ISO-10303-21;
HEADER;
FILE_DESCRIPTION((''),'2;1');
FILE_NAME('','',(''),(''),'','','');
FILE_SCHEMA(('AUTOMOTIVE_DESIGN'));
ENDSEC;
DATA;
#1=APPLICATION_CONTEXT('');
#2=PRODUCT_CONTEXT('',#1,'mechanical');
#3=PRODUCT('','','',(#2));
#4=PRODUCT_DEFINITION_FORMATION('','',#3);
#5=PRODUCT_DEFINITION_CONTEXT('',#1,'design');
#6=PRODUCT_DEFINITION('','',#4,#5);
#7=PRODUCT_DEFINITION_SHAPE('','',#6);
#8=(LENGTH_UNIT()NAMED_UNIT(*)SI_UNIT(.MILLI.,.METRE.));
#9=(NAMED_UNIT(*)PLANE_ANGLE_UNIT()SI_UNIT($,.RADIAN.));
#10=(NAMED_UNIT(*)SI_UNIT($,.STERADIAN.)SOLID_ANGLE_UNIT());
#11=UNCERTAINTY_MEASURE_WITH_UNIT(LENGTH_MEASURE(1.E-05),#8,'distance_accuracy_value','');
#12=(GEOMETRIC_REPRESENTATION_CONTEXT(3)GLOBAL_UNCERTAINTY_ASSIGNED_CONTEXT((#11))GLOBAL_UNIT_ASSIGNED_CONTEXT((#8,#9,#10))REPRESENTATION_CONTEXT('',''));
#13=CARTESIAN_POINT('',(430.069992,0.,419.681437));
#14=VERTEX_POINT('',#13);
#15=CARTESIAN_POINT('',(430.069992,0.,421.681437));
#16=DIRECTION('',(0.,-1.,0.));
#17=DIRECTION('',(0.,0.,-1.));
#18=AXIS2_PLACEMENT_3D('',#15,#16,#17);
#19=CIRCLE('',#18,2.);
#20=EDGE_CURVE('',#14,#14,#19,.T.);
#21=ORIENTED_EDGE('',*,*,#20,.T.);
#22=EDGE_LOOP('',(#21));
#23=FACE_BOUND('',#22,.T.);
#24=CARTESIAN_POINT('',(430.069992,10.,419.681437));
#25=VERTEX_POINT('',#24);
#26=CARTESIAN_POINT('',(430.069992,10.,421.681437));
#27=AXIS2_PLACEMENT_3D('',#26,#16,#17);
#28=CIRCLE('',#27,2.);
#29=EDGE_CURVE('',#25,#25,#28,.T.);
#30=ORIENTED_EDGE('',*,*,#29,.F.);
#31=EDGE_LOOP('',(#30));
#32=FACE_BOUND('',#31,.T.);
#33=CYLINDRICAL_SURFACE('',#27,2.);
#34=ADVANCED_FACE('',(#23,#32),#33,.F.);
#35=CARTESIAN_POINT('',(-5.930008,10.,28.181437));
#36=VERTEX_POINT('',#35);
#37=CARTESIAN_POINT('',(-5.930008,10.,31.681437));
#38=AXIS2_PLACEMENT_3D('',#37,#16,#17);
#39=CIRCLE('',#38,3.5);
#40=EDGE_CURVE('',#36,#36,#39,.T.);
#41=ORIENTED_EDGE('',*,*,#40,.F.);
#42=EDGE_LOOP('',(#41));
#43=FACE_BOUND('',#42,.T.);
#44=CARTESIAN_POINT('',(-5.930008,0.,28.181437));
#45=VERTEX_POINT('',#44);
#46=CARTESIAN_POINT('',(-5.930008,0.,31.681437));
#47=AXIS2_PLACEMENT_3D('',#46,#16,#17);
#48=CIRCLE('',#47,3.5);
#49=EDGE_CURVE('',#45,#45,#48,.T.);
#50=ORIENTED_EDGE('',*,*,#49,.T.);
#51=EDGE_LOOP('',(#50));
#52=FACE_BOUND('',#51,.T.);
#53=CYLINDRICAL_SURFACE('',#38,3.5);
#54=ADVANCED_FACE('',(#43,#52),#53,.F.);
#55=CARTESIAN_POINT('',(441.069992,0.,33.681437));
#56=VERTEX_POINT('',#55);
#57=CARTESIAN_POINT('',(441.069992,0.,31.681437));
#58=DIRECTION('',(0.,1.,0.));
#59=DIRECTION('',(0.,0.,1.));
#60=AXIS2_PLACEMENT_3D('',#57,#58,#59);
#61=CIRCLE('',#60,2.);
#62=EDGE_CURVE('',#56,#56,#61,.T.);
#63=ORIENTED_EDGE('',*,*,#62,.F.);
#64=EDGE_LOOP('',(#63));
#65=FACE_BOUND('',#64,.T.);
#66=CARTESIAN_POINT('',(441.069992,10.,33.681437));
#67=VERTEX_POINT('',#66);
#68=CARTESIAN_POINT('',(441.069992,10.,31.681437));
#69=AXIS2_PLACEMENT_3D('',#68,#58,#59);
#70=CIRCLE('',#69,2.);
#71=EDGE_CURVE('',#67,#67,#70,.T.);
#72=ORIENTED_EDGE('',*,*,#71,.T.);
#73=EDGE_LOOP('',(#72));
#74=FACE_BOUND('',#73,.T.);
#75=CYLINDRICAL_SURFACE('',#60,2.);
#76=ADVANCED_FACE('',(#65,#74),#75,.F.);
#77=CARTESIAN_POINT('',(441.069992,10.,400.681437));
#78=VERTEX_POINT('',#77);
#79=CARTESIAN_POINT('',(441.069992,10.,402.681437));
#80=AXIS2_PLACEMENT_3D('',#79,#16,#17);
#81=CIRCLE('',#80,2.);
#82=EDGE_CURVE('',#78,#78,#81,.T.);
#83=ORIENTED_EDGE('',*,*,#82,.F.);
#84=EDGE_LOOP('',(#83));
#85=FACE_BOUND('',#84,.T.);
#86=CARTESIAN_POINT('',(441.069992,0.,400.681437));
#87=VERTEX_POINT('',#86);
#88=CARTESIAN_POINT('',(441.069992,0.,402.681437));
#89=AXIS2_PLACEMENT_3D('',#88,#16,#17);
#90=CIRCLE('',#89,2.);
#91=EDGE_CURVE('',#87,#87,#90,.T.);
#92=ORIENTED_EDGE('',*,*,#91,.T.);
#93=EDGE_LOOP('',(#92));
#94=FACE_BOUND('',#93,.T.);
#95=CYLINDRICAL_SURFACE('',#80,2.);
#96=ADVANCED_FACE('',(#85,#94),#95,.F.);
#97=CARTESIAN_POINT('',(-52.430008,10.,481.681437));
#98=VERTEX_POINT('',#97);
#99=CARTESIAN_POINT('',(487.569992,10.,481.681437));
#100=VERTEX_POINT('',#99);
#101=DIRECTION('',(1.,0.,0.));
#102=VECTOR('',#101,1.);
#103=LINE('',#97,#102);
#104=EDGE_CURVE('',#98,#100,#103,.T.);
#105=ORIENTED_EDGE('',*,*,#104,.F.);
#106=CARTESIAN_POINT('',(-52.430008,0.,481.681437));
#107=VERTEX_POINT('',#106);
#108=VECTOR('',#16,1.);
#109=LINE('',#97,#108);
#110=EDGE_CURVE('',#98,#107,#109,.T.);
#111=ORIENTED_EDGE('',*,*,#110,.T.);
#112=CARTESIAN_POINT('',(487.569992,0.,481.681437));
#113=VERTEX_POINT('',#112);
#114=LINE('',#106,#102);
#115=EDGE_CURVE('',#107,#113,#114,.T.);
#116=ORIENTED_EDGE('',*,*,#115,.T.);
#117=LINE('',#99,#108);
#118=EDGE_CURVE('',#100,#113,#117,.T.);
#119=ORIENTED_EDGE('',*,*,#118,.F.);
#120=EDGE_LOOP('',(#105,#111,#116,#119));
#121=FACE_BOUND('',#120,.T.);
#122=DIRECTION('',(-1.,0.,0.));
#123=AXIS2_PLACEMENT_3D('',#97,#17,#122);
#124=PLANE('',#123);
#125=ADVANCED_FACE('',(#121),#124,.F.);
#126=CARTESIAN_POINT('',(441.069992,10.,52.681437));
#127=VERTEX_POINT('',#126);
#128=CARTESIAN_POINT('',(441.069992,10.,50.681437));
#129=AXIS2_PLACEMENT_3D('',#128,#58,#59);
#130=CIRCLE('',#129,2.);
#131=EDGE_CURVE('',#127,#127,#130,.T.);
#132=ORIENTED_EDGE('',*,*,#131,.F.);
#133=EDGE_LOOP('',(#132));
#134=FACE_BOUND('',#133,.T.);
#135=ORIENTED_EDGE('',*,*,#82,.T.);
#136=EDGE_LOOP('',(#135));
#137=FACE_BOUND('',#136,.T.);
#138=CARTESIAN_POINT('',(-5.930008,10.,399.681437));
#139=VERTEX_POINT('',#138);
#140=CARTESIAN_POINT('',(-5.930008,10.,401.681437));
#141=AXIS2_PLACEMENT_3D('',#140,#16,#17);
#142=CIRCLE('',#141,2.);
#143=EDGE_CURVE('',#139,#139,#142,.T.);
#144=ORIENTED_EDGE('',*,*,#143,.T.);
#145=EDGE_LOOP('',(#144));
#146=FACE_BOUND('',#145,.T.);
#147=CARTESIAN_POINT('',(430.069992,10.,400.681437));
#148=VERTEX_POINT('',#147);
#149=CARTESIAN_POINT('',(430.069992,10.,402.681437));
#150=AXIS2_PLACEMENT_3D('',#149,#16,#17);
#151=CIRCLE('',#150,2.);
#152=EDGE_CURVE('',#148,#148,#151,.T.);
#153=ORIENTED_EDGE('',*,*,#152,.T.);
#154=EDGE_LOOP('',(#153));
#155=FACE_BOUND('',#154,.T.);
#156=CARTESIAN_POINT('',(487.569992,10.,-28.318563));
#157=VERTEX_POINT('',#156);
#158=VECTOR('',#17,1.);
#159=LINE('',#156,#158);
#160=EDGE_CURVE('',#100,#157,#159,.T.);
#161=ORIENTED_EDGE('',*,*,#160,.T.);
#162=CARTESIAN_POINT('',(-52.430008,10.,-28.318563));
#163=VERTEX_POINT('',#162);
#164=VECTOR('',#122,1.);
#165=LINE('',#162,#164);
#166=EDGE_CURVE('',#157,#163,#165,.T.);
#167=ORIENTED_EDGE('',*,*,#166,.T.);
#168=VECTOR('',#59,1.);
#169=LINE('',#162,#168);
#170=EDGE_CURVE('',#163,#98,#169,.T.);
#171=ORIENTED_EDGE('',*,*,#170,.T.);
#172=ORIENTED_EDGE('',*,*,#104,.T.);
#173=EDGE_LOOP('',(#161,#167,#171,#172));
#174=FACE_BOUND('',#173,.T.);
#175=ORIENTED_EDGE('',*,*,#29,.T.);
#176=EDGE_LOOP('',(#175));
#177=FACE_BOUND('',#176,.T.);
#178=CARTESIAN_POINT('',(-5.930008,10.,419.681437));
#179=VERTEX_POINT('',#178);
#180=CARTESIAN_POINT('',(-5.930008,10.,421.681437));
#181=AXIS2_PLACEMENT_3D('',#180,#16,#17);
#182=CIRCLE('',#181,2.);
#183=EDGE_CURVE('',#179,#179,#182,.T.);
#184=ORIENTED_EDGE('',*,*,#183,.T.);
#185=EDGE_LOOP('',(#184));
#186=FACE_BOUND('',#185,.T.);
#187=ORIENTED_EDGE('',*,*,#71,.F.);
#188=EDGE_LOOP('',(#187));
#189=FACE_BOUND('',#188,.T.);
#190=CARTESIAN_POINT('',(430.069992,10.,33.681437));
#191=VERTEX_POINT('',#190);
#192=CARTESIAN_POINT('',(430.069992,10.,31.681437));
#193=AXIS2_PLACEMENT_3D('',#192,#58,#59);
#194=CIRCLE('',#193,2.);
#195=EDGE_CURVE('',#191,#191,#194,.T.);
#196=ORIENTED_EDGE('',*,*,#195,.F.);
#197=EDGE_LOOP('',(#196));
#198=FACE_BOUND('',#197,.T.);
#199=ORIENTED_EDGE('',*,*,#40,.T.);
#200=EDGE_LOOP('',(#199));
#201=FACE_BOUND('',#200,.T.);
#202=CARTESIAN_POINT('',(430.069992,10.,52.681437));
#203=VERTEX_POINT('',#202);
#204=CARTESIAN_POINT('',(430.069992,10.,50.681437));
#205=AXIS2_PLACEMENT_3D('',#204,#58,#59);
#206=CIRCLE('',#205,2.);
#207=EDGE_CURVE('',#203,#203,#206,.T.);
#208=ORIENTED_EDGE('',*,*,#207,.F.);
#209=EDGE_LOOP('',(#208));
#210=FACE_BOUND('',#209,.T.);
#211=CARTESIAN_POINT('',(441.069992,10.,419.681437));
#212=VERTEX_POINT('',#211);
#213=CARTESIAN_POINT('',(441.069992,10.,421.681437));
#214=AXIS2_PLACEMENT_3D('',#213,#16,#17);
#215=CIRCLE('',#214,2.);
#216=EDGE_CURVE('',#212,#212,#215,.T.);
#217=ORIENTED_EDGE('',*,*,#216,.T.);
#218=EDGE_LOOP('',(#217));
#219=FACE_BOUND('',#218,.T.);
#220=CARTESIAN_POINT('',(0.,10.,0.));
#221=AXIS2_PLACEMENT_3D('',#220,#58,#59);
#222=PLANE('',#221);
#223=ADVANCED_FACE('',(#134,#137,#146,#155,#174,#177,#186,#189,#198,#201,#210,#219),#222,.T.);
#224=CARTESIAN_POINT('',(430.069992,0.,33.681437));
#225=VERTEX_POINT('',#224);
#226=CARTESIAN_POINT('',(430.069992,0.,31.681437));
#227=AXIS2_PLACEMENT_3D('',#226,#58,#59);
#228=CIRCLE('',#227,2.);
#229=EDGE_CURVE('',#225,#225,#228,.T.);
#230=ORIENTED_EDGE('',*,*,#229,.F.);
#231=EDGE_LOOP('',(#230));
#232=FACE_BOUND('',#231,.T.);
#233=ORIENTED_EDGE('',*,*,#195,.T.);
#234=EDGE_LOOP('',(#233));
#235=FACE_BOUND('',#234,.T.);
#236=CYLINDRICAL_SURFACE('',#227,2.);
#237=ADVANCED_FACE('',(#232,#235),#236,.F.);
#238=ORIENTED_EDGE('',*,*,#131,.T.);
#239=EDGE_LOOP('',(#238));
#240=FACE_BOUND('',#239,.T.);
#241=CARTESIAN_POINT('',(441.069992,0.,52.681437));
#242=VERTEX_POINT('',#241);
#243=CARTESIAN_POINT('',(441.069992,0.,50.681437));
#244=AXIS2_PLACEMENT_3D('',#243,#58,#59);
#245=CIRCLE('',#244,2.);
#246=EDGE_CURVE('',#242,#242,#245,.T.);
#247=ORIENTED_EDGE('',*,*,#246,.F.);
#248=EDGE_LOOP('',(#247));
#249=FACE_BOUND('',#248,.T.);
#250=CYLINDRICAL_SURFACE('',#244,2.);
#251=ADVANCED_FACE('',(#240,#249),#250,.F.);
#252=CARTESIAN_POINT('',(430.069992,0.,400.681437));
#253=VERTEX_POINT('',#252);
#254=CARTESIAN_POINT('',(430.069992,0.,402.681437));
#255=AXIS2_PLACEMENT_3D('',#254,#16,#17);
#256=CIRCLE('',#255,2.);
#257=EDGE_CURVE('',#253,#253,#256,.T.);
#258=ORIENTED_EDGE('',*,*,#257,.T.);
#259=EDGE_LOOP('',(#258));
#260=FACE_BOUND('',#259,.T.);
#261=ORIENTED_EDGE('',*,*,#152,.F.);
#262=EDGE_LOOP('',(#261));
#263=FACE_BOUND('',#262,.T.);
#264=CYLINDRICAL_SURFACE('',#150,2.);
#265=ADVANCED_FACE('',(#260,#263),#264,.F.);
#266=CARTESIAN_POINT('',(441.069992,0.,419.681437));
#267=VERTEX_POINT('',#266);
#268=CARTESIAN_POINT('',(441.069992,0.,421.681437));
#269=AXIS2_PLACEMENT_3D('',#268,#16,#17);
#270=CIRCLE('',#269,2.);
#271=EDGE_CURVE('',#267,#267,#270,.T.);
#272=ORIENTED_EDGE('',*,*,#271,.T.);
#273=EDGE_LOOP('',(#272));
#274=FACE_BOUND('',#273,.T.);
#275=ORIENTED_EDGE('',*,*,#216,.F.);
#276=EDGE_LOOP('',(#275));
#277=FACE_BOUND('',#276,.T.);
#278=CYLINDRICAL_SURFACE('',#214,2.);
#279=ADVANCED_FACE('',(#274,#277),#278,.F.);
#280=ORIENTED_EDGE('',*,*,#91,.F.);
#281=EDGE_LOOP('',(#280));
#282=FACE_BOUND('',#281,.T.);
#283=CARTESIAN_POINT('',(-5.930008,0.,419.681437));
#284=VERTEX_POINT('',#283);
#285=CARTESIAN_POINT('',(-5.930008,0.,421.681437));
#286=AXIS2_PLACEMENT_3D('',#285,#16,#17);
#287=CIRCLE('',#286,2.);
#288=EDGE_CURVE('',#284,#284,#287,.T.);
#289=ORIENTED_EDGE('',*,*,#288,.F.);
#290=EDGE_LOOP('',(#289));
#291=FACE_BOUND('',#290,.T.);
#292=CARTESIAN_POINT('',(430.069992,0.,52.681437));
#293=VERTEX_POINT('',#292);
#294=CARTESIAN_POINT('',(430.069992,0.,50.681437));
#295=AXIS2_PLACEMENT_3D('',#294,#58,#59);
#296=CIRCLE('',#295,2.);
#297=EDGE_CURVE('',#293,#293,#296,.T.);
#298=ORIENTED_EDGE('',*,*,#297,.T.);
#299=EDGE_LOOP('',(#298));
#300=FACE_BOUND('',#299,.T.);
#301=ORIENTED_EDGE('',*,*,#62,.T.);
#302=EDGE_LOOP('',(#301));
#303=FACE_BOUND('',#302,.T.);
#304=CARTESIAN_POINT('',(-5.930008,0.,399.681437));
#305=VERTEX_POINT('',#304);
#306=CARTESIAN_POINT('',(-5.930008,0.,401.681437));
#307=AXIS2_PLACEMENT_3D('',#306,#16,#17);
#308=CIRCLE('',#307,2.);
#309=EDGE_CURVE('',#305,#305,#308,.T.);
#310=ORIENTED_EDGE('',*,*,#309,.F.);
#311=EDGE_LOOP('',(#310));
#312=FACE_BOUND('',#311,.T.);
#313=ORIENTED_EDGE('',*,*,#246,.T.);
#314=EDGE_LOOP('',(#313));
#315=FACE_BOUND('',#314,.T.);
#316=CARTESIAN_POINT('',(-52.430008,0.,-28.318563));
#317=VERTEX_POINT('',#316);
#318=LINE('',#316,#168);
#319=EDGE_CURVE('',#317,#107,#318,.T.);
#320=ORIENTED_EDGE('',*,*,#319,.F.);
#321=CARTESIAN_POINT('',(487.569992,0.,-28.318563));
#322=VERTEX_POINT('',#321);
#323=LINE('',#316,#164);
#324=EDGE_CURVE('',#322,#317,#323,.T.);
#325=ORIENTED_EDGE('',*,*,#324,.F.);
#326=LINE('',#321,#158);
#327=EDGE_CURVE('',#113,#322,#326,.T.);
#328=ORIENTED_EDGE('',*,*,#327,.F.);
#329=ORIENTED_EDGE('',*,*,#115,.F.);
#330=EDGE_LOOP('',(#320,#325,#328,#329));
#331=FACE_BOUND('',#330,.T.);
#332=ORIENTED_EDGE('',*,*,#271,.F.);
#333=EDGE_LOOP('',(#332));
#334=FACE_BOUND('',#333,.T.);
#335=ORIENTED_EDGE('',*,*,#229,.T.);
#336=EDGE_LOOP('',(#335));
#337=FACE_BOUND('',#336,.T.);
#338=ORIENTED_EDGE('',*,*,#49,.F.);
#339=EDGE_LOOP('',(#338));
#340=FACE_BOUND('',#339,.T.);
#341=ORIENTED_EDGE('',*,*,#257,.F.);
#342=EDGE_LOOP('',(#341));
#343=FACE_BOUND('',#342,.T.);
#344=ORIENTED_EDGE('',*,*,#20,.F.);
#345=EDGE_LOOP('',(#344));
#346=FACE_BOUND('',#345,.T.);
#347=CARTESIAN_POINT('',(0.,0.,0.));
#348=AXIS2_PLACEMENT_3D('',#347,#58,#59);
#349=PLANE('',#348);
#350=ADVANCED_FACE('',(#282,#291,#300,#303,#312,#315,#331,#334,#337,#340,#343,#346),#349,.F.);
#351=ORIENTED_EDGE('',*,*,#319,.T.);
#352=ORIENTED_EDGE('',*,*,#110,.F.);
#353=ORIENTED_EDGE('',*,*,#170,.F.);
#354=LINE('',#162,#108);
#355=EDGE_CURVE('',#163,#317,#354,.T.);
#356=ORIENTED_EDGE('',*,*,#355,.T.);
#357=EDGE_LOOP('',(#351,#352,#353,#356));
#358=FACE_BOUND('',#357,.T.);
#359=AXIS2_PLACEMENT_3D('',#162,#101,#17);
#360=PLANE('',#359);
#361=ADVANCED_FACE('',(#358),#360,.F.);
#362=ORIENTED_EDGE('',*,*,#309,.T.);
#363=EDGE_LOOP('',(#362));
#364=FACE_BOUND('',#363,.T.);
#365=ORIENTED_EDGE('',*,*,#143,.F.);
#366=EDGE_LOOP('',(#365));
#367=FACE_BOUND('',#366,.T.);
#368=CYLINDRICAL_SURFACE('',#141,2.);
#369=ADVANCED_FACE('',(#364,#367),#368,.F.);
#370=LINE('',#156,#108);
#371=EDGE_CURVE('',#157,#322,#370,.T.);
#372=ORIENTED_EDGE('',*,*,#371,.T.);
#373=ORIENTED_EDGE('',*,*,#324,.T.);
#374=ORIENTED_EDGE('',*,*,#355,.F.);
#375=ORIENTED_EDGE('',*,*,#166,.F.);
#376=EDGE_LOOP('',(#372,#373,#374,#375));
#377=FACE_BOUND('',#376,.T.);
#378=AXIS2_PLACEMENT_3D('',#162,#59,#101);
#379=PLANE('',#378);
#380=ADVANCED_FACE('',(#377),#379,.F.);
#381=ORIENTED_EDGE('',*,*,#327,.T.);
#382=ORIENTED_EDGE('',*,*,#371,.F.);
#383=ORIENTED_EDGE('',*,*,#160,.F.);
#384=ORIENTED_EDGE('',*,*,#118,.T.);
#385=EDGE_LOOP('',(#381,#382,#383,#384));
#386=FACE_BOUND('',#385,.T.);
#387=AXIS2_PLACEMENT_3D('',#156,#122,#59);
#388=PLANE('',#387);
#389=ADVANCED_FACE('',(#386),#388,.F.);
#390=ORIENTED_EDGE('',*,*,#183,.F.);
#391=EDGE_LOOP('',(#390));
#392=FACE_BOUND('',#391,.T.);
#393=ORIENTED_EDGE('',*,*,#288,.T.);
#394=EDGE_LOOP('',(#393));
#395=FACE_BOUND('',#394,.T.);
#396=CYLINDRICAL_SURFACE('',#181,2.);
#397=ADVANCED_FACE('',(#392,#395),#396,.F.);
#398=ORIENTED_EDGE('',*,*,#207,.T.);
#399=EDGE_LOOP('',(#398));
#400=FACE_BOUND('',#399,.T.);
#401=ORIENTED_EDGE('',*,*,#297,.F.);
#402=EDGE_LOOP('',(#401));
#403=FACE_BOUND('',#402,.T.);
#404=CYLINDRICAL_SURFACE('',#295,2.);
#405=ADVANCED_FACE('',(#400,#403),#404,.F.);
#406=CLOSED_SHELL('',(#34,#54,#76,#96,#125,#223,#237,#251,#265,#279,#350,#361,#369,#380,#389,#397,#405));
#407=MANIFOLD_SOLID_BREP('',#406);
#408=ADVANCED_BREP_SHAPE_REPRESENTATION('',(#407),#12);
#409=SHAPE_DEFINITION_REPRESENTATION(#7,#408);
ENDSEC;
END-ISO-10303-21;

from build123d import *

# Parameters (mm, degrees)
SKETCH3_W           = 540
SKETCH3_H           = 510
BOSS_EXTRUDE1_DEPTH = 10
SKETCH4_R           = 2
CUT_EXTRUDE1_DEPTH  = 686.449855216
SKETCH6_R           = 2
CUT_EXTRUDE2_DEPTH  = 686.449855216
SKETCH7_R           = 3.5
CUT_EXTRUDE3_DEPTH  = 686.449855216
SKETCH8_R           = 2
CUT_EXTRUDE4_DEPTH  = 686.449855216


with BuildPart() as part:
    # Sketch3 → Boss-Extrude1 (new body)
    with BuildSketch(Plane(origin=(0, 0, 0), x_dir=(1, 0, 0), z_dir=(0, 1, 0))):
        with Locations((217.56999237, -226.681436799)):
            Rectangle(SKETCH3_W, SKETCH3_H)
    extrude(amount=BOSS_EXTRUDE1_DEPTH)

    # Sketch4 → Cut-Extrude1 (cut, through all)
    with BuildSketch(Plane(origin=(0, 10, 0), x_dir=(1, 0, 0), z_dir=(0, 1, 0))):
        with Locations((441.06999237, -31.681436799)):
            Circle(SKETCH4_R)
        with Locations((430.06999237, -31.681436799)):
            Circle(SKETCH4_R)
        with Locations((441.06999237, -50.681436799)):
            Circle(SKETCH4_R)
        with Locations((430.06999237, -50.681436799)):
            Circle(SKETCH4_R)
    extrude(amount=-CUT_EXTRUDE1_DEPTH, mode=Mode.SUBTRACT)

    # Sketch6 → Cut-Extrude2 (cut, through all)
    with BuildSketch(Plane.XZ):
        with Locations((441.06999237, 421.681436799)):
            Circle(SKETCH6_R)
        with Locations((430.06999237, 421.681436799)):
            Circle(SKETCH6_R)
        with Locations((441.06999237, 402.681436799)):
            Circle(SKETCH6_R)
        with Locations((430.06999237, 402.681436799)):
            Circle(SKETCH6_R)
    extrude(amount=-CUT_EXTRUDE2_DEPTH, mode=Mode.SUBTRACT)

    # Sketch7 → Cut-Extrude3 (cut, through all)
    with BuildSketch(Plane.XZ):
        with Locations((-5.93000763, 31.681436799)):
            Circle(SKETCH7_R)
    extrude(amount=-CUT_EXTRUDE3_DEPTH, mode=Mode.SUBTRACT)

    # Sketch8 → Cut-Extrude4 (cut, through all)
    with BuildSketch(Plane.XZ):
        with Locations((-5.93000763, 421.681436799)):
            Circle(SKETCH8_R)
        with Locations((-5.93000763, 401.681436799)):
            Circle(SKETCH8_R)
    extrude(amount=-CUT_EXTRUDE4_DEPTH, mode=Mode.SUBTRACT)


solid = part.part
